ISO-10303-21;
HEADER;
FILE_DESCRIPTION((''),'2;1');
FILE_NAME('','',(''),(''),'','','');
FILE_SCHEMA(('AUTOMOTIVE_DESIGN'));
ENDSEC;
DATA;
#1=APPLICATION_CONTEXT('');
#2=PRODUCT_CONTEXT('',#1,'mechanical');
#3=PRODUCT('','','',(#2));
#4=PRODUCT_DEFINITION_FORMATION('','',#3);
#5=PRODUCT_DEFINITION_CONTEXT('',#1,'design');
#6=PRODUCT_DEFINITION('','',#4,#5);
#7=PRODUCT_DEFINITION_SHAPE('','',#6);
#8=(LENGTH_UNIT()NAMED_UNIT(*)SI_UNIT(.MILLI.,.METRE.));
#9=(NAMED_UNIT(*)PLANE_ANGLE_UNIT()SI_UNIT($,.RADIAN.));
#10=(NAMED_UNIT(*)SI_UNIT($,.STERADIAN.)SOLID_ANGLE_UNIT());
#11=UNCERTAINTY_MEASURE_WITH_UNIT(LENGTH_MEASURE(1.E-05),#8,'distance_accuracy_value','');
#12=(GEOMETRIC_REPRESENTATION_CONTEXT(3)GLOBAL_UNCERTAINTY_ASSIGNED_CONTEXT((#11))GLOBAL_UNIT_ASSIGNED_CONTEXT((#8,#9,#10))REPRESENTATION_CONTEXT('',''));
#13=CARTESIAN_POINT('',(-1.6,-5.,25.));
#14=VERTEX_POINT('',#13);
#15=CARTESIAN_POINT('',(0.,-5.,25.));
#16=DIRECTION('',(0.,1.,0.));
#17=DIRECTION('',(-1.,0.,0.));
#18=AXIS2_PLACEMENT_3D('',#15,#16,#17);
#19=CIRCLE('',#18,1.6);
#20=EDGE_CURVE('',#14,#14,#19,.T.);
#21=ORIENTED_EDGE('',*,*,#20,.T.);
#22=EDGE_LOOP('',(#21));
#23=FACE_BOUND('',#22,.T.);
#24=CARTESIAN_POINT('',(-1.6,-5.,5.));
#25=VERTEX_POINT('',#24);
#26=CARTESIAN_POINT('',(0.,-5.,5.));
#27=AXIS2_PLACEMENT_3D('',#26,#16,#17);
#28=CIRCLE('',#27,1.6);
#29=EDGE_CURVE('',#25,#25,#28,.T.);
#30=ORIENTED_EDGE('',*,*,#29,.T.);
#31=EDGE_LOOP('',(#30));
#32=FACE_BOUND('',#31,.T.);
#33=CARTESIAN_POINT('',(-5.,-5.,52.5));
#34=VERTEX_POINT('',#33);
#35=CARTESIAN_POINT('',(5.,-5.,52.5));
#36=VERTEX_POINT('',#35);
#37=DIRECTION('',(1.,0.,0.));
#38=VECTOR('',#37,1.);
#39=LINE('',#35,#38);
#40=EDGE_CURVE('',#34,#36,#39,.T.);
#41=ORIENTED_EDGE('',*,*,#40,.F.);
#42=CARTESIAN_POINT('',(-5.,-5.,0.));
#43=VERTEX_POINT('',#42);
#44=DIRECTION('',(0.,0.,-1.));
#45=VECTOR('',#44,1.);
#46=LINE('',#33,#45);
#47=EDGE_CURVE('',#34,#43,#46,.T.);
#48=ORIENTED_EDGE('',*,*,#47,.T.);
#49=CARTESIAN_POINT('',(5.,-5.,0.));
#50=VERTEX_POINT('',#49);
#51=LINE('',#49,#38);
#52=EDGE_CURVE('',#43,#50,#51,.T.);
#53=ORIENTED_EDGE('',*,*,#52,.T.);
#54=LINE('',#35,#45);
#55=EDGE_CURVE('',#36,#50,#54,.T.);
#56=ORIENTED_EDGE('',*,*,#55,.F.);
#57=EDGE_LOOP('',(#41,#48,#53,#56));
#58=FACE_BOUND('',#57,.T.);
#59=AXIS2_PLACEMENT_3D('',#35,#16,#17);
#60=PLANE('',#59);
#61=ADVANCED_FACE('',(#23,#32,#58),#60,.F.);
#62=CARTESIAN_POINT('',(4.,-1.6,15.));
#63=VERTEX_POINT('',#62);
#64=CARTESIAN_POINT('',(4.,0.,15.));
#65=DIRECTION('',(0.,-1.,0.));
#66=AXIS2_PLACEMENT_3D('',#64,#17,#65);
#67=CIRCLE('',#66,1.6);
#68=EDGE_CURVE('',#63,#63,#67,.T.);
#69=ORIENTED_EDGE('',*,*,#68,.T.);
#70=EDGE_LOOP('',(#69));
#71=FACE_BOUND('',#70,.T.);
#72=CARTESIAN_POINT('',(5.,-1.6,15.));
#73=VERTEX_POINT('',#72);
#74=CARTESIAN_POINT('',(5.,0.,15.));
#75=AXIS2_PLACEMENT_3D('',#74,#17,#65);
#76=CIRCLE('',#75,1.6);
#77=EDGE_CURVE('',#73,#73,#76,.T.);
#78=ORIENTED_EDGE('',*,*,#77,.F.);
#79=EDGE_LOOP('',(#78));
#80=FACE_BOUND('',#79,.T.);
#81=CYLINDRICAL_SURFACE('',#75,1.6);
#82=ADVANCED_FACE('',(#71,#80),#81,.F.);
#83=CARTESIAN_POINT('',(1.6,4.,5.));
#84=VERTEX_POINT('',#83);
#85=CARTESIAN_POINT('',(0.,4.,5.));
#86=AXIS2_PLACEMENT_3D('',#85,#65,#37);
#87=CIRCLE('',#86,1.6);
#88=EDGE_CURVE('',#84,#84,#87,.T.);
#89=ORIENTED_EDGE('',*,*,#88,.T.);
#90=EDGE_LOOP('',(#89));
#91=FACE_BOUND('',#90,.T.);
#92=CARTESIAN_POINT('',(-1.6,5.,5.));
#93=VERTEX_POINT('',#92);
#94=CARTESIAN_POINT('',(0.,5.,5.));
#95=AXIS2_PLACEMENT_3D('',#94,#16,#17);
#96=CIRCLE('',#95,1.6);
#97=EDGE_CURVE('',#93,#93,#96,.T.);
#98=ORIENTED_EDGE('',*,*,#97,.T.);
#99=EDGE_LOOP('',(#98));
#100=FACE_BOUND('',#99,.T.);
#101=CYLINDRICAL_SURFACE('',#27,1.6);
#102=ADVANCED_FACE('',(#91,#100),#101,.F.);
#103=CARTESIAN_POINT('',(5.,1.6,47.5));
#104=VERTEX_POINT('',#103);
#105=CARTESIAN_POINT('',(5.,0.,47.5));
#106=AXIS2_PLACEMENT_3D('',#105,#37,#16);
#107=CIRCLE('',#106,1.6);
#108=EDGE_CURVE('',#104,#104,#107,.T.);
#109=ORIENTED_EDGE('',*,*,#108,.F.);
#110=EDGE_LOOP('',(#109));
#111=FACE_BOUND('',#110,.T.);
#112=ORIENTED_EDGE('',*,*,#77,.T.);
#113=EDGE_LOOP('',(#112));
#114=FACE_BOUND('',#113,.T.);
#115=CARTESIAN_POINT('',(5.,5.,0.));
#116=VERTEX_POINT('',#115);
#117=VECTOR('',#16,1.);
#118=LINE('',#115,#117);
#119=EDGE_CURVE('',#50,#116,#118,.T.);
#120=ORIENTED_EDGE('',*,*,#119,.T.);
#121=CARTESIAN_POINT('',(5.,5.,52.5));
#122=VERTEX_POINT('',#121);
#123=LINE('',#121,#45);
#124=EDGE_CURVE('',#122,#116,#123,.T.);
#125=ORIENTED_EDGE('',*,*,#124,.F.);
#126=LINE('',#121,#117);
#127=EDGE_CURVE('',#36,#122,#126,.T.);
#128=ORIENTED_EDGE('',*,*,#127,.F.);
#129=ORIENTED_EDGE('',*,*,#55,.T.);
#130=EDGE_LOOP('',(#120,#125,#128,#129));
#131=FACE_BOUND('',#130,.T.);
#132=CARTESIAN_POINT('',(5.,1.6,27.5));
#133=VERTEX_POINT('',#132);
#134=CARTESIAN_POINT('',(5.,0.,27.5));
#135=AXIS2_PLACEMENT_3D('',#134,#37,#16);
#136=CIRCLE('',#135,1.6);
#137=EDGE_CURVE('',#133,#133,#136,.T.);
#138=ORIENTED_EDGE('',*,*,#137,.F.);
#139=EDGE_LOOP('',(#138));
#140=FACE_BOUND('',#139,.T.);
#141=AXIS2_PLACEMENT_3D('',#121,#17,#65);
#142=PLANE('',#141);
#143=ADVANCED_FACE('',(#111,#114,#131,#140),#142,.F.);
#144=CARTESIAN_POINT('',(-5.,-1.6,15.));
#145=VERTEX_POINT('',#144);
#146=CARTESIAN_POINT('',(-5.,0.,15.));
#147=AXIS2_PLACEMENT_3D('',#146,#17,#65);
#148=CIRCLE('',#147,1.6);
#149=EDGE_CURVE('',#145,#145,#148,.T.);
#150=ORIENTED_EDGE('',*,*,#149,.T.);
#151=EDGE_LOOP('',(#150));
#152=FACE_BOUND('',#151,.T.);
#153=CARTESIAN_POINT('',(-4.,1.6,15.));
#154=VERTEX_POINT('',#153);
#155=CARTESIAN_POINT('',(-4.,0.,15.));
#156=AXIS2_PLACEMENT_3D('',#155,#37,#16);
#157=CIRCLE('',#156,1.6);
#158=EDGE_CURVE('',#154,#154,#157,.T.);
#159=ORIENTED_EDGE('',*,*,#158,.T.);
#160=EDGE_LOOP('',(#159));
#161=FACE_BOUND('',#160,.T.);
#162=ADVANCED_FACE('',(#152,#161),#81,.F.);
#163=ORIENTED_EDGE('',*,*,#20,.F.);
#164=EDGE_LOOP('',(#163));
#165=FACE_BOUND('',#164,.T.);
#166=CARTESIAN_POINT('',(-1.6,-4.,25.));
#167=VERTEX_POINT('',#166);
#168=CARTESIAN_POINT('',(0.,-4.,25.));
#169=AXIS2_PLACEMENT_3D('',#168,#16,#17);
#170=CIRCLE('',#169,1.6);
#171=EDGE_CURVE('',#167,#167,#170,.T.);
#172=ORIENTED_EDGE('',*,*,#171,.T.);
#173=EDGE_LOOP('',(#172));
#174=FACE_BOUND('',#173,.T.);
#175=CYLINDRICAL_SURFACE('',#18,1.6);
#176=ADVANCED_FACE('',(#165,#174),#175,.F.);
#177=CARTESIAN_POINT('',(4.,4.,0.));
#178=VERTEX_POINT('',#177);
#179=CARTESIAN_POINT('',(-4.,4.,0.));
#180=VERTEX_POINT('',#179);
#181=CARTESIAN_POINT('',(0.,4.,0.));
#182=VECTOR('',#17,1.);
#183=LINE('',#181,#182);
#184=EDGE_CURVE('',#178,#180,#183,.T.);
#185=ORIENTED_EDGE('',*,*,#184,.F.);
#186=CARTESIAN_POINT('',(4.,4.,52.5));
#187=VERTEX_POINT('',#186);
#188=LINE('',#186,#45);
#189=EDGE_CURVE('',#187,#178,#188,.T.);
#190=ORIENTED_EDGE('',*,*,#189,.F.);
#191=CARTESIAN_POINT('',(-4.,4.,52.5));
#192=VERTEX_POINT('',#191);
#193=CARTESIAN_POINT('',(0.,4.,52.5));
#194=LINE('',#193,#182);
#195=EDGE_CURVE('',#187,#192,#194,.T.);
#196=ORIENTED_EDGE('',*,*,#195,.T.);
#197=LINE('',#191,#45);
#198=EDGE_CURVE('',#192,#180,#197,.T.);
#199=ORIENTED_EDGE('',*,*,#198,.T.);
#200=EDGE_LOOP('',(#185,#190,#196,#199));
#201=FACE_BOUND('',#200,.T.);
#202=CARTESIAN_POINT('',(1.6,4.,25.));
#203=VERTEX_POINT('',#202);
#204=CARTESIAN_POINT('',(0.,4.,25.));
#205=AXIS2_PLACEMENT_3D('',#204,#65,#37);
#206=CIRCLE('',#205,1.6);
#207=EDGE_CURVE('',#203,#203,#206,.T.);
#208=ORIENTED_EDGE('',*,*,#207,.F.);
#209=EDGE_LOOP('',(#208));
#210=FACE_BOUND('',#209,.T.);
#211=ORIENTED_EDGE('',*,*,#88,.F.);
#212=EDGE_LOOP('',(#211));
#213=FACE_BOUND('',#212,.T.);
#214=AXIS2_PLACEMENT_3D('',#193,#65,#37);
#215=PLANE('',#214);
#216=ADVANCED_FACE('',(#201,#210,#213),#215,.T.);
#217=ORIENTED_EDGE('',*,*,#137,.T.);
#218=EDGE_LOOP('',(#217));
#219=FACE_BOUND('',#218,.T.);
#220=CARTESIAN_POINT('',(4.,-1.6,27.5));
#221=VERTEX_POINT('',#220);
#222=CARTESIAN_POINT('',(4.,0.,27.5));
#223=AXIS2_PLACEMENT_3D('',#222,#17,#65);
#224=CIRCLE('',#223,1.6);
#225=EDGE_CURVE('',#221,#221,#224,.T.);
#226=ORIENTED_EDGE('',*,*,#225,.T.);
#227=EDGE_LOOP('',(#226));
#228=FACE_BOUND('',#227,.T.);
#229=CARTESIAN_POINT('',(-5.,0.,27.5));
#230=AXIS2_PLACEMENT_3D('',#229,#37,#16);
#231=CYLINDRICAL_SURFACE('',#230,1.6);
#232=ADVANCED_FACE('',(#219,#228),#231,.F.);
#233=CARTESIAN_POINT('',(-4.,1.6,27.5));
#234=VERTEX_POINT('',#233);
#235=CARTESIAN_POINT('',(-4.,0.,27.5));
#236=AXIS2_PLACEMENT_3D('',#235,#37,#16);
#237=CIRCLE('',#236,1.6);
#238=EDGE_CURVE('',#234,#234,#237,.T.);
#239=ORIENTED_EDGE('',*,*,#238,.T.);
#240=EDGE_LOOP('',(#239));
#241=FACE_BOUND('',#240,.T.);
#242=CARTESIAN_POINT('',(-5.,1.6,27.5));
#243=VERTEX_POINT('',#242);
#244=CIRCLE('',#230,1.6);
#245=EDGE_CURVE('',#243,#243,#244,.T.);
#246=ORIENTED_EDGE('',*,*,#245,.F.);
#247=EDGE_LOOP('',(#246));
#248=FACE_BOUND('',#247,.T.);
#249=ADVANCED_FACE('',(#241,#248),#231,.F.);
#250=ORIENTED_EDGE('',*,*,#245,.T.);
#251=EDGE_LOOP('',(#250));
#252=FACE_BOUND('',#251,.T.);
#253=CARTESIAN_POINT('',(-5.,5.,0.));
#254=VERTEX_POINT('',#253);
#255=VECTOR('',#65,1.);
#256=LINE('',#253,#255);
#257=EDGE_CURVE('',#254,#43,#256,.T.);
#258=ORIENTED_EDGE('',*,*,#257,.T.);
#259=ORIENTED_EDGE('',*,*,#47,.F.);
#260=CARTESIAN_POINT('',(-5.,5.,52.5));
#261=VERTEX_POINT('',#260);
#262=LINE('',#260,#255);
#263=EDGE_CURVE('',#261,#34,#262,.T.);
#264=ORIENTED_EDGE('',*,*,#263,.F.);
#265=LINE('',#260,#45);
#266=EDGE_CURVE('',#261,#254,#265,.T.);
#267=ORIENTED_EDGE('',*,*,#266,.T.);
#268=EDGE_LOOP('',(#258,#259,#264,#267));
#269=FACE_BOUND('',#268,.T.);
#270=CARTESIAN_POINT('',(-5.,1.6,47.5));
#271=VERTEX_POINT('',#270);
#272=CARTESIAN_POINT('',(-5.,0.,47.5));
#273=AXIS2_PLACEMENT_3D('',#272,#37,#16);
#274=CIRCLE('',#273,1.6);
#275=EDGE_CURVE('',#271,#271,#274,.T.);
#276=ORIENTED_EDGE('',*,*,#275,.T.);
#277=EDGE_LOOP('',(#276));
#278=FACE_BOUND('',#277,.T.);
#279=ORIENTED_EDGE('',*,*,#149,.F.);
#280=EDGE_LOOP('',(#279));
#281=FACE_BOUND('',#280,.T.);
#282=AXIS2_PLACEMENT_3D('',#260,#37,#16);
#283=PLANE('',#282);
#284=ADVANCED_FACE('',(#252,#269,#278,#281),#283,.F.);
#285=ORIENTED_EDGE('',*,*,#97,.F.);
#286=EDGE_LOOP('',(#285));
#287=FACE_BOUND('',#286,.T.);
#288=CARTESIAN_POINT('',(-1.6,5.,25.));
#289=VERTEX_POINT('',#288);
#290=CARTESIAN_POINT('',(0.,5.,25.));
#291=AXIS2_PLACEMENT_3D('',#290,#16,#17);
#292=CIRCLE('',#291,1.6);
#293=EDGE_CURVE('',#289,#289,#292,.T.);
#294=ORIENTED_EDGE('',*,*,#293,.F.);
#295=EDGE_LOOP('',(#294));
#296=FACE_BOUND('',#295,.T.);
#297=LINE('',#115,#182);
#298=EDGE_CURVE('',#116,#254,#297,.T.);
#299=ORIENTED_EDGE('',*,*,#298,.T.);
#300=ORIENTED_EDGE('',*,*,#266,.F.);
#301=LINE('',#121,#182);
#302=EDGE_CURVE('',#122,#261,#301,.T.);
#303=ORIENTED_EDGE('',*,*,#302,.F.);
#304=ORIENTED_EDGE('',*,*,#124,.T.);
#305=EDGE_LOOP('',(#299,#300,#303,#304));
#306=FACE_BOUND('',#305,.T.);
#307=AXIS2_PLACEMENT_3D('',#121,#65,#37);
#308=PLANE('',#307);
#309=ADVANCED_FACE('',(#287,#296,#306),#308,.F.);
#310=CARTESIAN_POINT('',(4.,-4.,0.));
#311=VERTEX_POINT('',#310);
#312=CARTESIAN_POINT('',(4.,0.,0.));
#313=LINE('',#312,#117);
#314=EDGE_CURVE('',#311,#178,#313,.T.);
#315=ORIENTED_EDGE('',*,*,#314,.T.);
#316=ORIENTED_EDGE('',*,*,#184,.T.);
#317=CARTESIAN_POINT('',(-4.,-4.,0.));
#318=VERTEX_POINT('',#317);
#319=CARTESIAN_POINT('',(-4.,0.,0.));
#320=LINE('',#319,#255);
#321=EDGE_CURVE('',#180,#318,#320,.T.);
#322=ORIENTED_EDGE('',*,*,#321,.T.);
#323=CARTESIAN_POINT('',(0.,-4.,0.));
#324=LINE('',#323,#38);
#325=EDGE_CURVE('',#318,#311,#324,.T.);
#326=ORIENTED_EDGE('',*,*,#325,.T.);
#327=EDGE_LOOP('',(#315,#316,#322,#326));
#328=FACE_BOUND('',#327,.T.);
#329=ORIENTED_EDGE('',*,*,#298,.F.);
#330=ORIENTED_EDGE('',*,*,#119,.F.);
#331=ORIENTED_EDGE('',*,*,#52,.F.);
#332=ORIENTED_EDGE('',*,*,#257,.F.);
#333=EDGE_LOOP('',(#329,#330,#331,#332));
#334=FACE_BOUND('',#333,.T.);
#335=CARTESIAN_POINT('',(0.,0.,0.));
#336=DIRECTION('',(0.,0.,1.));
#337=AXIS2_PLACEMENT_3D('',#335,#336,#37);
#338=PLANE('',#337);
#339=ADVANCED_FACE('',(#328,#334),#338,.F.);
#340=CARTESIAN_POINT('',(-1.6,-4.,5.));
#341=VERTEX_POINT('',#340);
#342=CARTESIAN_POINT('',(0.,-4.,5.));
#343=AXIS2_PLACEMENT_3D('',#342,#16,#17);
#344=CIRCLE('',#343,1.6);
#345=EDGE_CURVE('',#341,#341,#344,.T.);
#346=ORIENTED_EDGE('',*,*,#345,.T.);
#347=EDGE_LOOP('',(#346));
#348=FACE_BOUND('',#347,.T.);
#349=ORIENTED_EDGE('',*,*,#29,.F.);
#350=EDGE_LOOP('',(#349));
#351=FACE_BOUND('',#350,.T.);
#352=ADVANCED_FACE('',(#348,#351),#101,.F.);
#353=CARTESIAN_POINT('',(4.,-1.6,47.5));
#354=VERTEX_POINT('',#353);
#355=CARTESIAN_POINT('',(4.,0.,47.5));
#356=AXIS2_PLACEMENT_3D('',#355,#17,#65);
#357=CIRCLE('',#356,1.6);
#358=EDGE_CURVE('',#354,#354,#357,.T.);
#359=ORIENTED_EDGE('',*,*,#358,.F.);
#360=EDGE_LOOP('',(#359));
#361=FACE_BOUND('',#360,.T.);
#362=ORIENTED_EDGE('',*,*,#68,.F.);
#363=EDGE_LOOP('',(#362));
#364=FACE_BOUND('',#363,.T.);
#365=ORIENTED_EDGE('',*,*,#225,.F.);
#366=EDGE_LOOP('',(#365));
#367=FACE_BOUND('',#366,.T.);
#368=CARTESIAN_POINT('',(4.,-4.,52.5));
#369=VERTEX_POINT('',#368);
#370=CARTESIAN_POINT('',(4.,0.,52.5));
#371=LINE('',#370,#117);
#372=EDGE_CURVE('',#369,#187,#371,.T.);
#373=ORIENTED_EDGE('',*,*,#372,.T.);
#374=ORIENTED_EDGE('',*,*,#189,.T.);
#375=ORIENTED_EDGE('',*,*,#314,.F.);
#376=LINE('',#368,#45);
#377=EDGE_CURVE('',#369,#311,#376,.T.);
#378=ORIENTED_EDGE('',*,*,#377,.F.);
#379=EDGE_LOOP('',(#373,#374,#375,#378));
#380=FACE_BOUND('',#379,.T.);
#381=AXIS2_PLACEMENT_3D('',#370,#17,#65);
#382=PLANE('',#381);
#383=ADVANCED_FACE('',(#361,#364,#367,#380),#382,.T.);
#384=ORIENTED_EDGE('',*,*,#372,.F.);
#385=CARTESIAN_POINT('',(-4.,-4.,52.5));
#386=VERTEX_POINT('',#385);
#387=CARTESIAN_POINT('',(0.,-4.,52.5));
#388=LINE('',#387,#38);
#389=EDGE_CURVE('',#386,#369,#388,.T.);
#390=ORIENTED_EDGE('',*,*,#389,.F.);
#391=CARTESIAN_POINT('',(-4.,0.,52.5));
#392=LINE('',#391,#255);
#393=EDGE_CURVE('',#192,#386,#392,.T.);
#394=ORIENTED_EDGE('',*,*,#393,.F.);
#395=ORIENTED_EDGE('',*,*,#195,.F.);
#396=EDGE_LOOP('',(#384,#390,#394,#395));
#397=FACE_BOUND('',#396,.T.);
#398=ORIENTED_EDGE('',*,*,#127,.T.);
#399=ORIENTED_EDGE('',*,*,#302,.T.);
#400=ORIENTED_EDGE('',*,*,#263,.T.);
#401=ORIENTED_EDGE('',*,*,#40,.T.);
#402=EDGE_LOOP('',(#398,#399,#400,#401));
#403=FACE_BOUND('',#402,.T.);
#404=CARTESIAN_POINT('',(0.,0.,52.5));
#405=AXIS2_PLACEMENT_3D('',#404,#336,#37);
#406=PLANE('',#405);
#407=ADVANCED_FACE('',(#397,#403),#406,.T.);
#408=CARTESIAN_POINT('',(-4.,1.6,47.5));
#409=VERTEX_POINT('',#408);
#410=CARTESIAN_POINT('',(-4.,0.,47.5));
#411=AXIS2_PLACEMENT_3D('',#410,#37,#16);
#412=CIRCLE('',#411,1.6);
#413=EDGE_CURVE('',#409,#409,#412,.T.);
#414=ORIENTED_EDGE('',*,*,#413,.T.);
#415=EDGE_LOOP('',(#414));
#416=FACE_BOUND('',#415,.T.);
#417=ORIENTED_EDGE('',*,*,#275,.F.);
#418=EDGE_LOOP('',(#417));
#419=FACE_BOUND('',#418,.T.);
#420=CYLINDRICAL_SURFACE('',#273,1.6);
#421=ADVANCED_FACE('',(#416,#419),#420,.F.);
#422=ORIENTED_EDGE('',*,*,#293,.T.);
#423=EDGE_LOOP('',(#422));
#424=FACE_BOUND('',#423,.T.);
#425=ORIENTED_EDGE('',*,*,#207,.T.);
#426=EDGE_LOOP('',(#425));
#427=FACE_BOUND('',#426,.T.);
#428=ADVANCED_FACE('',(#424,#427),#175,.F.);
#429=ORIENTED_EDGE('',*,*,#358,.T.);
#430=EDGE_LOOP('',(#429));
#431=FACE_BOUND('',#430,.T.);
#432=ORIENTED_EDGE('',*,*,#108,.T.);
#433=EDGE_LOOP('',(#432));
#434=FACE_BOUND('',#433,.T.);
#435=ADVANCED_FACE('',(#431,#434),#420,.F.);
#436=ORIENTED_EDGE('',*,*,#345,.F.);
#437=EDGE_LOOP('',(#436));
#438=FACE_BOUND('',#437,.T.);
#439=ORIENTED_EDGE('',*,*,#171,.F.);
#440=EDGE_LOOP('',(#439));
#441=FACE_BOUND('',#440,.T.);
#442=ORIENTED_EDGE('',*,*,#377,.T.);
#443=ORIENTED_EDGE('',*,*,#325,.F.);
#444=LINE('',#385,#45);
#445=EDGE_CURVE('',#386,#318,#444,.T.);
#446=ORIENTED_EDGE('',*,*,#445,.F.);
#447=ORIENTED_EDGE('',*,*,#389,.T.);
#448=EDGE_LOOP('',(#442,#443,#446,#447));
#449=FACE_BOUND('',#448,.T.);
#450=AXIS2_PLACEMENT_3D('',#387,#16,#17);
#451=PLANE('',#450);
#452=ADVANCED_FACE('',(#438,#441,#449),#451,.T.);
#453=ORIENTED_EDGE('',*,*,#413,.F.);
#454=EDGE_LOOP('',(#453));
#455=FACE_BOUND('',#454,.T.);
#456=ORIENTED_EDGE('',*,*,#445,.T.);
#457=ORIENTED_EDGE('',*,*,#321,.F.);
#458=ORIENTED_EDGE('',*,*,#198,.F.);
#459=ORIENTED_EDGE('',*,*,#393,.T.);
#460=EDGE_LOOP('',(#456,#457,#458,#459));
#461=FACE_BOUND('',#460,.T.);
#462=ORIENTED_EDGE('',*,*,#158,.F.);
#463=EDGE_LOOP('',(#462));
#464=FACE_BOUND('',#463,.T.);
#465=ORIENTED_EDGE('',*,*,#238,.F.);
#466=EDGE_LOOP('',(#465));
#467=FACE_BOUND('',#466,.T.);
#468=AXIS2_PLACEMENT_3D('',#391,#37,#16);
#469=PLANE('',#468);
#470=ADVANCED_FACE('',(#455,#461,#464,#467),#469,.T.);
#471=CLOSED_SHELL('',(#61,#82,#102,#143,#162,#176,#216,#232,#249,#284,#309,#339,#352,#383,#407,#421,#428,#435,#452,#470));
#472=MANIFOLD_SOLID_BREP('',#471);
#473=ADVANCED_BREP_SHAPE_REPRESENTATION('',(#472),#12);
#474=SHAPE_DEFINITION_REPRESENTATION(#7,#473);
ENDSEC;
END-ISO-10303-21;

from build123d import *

# Parameters (mm, degrees)
SKETCH_1_W          = 10
SKETCH_1_H          = 10
SKETCH_1_W_2        = 8
SKETCH_1_H_2        = 8
EXTRUDE_1_DEPTH     = 52.5
SKETCH_2_R          = 1.6
CUT_EXTRUDE_1_DEPTH = 54.677276384
SKETCH_3_R          = 1.6
CUT_EXTRUDE_2_DEPTH = 54.677276384
SKETCH_4_R          = 1.6
CUT_EXTRUDE_3_DEPTH = 54.677276384


with BuildPart() as part:
    # ｽｹｯﾁ1 → 押し出し-薄板1 (new body)
    with BuildSketch(Plane.XY):
        Rectangle(SKETCH_1_W, SKETCH_1_H)
        Rectangle(SKETCH_1_W_2, SKETCH_1_H_2, mode=Mode.SUBTRACT)
    extrude(amount=EXTRUDE_1_DEPTH)

    # ｽｹｯﾁ2 → ｶｯﾄ - 押し出し1 (cut, through all)
    with BuildSketch(Plane(origin=(0, 5, 0), x_dir=(1, 0, 0), z_dir=(0, 1, 0))):
        with Locations(Location((0, -5, 0), (0, 0, 180))):
            Circle(SKETCH_2_R)
        with Locations(Location((0, -25, 0), (0, 0, 180))):
            Circle(SKETCH_2_R)
    extrude(amount=-CUT_EXTRUDE_1_DEPTH, mode=Mode.SUBTRACT)

    # ｽｹｯﾁ3 → ｶｯﾄ - 押し出し2 (cut, through all)
    with BuildSketch(Plane(origin=(5, 0, 0), x_dir=(0, 0, -1), z_dir=(1, 0, 0))):
        with Locations(Location((-47.5, 0, 0), (0, 0, 90))):
            Circle(SKETCH_3_R)
        with Locations(Location((-27.5, 0, 0), (0, 0, 90))):
            Circle(SKETCH_3_R)
    extrude(amount=-CUT_EXTRUDE_2_DEPTH, mode=Mode.SUBTRACT)

    # ｽｹｯﾁ4 → ｶｯﾄ - 押し出し3 (cut, through all)
    with BuildSketch(Plane.ZY.offset(5)):
        with Locations(Location((15, 0, 0), (0, 0, 270))):
            Circle(SKETCH_4_R)
    extrude(amount=-CUT_EXTRUDE_3_DEPTH, mode=Mode.SUBTRACT)


solid = part.part
